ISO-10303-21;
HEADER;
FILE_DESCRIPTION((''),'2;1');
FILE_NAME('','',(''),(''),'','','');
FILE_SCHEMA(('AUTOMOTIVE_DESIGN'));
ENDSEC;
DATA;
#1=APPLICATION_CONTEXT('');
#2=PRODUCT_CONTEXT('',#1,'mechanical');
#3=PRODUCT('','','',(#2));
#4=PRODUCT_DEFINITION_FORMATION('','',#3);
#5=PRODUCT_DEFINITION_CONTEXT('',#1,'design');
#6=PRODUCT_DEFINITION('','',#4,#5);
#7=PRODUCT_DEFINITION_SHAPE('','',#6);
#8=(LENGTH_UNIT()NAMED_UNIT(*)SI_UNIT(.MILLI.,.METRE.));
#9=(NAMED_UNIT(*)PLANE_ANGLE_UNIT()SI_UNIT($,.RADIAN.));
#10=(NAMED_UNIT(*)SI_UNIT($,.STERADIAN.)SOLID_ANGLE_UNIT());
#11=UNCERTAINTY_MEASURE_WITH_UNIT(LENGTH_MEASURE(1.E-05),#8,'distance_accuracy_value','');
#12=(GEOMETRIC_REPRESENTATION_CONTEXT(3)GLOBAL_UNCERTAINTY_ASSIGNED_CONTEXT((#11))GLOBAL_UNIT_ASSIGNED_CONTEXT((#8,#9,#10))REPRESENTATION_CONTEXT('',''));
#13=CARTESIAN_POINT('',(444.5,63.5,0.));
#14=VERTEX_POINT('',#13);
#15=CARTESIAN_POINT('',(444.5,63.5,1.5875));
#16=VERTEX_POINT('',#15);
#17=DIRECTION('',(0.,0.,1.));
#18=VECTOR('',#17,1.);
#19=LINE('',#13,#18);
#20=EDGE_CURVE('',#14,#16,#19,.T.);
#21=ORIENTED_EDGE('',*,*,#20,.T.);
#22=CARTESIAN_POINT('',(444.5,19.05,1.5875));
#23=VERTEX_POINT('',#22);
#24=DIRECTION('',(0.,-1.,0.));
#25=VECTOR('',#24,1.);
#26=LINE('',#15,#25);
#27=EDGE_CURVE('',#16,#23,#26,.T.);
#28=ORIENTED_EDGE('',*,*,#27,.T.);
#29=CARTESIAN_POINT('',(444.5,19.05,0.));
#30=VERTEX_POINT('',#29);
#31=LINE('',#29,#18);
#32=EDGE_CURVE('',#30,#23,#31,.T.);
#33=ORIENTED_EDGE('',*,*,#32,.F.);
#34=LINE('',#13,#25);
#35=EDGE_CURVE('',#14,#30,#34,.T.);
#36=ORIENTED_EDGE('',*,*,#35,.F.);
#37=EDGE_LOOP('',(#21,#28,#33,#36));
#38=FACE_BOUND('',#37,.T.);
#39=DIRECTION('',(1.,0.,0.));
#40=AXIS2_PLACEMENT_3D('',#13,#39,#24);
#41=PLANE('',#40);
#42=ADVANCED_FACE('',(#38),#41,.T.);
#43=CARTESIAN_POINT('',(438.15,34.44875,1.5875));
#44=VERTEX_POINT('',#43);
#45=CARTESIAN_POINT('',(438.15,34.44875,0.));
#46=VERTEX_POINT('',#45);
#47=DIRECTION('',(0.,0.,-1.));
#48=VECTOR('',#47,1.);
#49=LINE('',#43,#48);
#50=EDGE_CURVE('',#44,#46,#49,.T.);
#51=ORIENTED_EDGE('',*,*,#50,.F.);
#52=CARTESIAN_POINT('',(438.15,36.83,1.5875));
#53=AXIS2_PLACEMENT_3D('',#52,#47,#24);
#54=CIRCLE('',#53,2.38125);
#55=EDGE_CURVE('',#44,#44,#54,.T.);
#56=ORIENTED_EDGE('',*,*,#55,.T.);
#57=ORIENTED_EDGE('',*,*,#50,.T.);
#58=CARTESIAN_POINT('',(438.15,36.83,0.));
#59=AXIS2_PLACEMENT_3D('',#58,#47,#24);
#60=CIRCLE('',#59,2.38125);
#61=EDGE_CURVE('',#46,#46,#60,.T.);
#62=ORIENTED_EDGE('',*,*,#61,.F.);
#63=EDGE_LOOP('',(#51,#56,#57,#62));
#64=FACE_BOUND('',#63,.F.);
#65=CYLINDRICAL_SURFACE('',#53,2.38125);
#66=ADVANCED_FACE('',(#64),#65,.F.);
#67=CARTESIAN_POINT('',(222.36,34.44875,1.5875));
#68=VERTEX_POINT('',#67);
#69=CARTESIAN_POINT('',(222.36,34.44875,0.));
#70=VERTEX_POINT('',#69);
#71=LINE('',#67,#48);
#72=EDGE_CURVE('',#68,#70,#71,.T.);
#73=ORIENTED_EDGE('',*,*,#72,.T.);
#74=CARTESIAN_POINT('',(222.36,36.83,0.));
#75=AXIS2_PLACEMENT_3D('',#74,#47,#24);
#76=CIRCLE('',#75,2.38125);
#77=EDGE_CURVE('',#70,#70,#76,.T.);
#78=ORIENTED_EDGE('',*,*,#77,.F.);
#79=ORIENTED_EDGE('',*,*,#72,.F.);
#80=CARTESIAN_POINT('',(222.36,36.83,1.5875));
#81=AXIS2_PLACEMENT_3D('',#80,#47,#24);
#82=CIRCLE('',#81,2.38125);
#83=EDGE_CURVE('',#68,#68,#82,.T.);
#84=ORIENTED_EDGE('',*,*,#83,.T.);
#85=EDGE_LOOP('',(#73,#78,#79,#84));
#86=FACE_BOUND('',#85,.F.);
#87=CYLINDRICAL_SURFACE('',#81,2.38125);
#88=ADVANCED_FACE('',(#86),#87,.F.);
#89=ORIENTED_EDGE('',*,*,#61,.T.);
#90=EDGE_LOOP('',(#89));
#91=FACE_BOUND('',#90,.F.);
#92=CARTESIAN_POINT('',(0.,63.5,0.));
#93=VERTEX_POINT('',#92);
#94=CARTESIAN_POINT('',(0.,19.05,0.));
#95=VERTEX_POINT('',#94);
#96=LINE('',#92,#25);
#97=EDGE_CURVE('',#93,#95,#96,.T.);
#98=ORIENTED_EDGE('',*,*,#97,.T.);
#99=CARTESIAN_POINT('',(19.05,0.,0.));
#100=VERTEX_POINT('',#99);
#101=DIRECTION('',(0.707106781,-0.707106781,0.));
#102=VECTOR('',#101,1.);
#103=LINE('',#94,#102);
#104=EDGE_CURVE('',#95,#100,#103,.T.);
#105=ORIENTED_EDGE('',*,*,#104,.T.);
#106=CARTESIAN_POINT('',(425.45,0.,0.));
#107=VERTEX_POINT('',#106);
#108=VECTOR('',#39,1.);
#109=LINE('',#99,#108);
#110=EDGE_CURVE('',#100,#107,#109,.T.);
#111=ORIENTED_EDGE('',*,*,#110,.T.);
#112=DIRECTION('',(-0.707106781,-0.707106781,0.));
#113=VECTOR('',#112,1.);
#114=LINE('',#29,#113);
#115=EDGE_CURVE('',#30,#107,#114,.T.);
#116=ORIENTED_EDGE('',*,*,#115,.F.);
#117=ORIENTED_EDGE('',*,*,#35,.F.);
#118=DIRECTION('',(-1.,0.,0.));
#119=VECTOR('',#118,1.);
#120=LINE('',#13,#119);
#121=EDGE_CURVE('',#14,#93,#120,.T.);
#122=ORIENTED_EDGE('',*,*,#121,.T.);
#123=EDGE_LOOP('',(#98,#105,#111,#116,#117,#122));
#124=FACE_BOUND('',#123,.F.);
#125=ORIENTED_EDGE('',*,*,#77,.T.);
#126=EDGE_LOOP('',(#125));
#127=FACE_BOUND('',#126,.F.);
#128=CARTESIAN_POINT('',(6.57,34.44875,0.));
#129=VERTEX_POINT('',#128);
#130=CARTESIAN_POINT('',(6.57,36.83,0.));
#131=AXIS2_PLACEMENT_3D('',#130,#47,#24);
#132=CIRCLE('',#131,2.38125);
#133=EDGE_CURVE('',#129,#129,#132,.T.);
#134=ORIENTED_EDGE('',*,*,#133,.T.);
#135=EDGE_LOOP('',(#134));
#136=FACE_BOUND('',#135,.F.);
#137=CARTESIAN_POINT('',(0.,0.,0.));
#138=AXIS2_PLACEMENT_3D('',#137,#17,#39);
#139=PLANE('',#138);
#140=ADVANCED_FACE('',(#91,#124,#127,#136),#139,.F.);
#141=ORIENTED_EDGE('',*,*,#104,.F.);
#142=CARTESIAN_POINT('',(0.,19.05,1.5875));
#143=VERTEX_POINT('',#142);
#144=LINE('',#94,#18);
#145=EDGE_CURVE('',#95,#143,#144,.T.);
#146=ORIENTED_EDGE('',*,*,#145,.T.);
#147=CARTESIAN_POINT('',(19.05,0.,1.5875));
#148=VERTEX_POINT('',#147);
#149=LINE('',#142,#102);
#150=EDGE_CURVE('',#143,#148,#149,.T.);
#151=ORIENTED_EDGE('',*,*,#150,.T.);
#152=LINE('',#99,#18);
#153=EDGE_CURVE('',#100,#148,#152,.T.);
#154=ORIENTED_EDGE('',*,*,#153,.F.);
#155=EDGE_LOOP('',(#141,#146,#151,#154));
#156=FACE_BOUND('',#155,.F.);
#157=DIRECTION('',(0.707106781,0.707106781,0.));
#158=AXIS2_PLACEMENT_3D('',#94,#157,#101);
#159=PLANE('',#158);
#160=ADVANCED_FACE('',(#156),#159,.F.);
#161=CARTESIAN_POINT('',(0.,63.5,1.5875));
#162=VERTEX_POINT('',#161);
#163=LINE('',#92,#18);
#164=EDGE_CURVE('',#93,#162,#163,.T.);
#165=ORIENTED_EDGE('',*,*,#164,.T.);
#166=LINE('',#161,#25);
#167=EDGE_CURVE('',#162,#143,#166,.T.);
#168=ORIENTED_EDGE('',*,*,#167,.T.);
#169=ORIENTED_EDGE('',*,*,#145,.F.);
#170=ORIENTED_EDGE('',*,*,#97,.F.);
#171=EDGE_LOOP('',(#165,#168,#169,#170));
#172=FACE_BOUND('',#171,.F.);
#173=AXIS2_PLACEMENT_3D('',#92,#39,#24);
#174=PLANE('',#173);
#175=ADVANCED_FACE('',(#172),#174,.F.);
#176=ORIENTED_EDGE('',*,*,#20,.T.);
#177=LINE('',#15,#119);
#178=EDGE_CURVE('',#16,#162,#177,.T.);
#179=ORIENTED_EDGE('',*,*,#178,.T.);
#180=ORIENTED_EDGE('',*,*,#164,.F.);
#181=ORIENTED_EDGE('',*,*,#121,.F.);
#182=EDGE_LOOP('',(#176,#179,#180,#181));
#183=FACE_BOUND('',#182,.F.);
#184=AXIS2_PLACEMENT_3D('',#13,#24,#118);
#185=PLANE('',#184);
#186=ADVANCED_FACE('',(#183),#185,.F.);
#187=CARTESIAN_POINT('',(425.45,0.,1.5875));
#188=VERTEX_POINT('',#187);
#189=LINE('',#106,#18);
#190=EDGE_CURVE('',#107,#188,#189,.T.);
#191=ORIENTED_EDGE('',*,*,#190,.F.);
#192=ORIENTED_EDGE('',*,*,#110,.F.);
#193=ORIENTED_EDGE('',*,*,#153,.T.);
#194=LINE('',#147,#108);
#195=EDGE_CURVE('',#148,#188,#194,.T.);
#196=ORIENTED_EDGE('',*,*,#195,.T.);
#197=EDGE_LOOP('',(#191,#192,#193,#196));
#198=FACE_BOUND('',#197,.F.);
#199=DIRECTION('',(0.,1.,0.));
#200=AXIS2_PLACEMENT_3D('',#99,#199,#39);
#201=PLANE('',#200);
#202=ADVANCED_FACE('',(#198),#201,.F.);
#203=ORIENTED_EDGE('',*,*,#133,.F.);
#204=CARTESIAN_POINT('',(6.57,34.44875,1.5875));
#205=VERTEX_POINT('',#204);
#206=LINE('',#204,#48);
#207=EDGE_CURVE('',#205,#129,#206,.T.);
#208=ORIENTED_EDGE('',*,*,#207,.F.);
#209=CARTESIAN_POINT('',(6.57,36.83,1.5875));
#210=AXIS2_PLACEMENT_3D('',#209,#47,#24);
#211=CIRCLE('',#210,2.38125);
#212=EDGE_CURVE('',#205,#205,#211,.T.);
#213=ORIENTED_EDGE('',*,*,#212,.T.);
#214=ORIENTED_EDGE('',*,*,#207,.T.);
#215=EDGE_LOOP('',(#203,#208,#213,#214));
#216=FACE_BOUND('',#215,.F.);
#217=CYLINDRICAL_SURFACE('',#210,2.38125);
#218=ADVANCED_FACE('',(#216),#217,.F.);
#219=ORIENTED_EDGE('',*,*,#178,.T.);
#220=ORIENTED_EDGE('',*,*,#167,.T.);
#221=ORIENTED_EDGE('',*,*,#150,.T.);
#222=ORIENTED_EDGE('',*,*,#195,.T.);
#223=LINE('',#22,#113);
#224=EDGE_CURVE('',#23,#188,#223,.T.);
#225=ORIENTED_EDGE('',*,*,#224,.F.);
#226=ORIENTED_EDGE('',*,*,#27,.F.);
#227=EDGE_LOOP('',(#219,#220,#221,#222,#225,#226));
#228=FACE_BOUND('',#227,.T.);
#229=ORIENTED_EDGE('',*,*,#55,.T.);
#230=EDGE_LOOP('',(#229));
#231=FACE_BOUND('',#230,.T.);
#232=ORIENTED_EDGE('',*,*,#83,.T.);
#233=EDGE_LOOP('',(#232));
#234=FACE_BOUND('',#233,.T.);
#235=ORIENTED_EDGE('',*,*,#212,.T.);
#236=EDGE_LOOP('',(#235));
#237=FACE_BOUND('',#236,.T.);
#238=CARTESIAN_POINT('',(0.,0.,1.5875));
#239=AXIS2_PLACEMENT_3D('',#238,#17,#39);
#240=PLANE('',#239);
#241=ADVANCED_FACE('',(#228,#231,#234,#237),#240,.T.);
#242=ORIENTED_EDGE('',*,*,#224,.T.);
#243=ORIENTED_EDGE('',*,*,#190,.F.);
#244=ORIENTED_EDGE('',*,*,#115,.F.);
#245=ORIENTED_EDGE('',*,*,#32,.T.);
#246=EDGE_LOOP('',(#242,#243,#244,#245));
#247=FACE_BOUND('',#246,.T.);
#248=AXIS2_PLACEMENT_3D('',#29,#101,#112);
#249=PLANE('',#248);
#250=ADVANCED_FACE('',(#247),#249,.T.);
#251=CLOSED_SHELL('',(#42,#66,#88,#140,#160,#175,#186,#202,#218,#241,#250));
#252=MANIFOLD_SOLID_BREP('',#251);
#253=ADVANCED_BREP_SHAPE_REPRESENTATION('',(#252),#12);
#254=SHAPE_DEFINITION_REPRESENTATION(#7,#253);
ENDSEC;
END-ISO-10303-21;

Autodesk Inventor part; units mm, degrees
ref_plane "YZ Plane" through (0, 0, 0) normal (1, 0, 0) x (0, 1, 0)
ref_plane "XZ Plane" through (0, 0, 0) normal (0, 1, 0) x (-1, 0, 0)
ref_plane "XY Plane" through (0, 0, 0) normal (0, 0, 1) x (1, 0, 0)
sketch "Sketch1" plane through (0, 0, 0) normal (0, 0, 1) x (1, 0, 0)
  line L0 (444.5, 63.5) -> (0, 63.5)
  line L1 (444.5, 30.48) -> (487.6052, 30.48) construction
  line L2 (0, 63.5) -> (0, 19.05)
  line L3 (0, 19.05) -> (35.921, 19.05) construction
  line L4 (0, 19.05) -> (28.7368, 19.05) construction
  line L5 (444.5, 63.5) -> (444.5, 19.05)
  line L6 (444.5, 19.05) -> (425.45, 0)
  line L7 (0, 19.05) -> (19.05, 0)
  line L8 (0, 19.05) -> (26.9408, 19.05) construction
  line L9 (19.05, 0) -> (425.45, 0)
  point P0 (0, 0)
  dimension "d0" = 444.5
  dimension "d38" = 44.45
  dimension "d41" = 44.45
  dimension "d42" = 135
  dimension "d43" = 45
extrude "Extrusion1" add sketch "Sketch1" along normal blind 1.5875
sketch "Sketch2" plane through (0, 0, 1.5875) normal (0, 0, 1) x (1, 0, 0)
  line L0 (0.22, 63.5) -> (0.22, 50.8)
  line L1 (0.22, 50.8) -> (12.92, 63.5)
  line L2 (444.5, 63.5) -> (0, 63.5) projected
  line L3 (0, 63.5) -> (0, 30.48) projected
  line L4 (0, 63.5) -> (6.57, 57.15)
  line L5 (6.57, 57.15) -> (6.57, 49.53)
  line L6 (6.57, 57.15) -> (14.19, 57.15) construction
  line L7 (444.5, 30.48) -> (444.5, 63.5) projected
  line L8 (444.5, 63.5) -> (444.5, 50.8)
  line L9 (444.5, 50.8) -> (431.8, 63.5)
  line L10 (431.8, 63.5) -> (444.5, 63.5)
  line L11 (444.5, 63.5) -> (438.15, 57.15)
  line L12 (438.15, 57.15) -> (438.15, 49.53)
  line L13 (438.15, 49.53) -> (6.57, 49.53)
  line L14 (20.32, 0) -> (414.02, 0) projected
  line L15 (429.26, 15.24) -> (444.5, 0)
  line L16 (425.45, 0) -> (444.5, 19.05) projected
  line L17 (434.975, 9.525) -> (419.7086, -5.7414)
  line L18 (438.15, 49.53) -> (438.15, 24.13)
  line L19 (6.57, 49.53) -> (6.57, 24.13)
  line L20 (6.57, 49.53) -> (31.97, 49.53) construction
  line L21 (222.36, 49.53) -> (222.36, 36.83)
  point P0 (0, 0)
  point P1 (0, 30.48)
  point P2 (30.48, 0)
  point P3 (25.4, 0)
  point P4 (415.2184, 20.3013)
  point P5 (6.57, 36.83)
  point P6 (438.15, 36.83)
  dimension "d9" = 12.7
  dimension "d10" = 45
  dimension "d20" = 7.62
  dimension "d21" = 90
  dimension "d22" = 12.7
  dimension "d23" = 45
  dimension "d24" = 7.62
  dimension "d44" = 21.59
  dimension "d48" = 25.4
  dimension "d49" = 25.4
  dimension "d50" = 90
hole "Hole2" at (6.57, 36.83, 1.5875) at (222.36, 36.83, 1.5875) at (438.15, 36.83, 1.5875) direction (0, 0, -1) diameter 4.7625 end through all
properties part number "sideskirt"
